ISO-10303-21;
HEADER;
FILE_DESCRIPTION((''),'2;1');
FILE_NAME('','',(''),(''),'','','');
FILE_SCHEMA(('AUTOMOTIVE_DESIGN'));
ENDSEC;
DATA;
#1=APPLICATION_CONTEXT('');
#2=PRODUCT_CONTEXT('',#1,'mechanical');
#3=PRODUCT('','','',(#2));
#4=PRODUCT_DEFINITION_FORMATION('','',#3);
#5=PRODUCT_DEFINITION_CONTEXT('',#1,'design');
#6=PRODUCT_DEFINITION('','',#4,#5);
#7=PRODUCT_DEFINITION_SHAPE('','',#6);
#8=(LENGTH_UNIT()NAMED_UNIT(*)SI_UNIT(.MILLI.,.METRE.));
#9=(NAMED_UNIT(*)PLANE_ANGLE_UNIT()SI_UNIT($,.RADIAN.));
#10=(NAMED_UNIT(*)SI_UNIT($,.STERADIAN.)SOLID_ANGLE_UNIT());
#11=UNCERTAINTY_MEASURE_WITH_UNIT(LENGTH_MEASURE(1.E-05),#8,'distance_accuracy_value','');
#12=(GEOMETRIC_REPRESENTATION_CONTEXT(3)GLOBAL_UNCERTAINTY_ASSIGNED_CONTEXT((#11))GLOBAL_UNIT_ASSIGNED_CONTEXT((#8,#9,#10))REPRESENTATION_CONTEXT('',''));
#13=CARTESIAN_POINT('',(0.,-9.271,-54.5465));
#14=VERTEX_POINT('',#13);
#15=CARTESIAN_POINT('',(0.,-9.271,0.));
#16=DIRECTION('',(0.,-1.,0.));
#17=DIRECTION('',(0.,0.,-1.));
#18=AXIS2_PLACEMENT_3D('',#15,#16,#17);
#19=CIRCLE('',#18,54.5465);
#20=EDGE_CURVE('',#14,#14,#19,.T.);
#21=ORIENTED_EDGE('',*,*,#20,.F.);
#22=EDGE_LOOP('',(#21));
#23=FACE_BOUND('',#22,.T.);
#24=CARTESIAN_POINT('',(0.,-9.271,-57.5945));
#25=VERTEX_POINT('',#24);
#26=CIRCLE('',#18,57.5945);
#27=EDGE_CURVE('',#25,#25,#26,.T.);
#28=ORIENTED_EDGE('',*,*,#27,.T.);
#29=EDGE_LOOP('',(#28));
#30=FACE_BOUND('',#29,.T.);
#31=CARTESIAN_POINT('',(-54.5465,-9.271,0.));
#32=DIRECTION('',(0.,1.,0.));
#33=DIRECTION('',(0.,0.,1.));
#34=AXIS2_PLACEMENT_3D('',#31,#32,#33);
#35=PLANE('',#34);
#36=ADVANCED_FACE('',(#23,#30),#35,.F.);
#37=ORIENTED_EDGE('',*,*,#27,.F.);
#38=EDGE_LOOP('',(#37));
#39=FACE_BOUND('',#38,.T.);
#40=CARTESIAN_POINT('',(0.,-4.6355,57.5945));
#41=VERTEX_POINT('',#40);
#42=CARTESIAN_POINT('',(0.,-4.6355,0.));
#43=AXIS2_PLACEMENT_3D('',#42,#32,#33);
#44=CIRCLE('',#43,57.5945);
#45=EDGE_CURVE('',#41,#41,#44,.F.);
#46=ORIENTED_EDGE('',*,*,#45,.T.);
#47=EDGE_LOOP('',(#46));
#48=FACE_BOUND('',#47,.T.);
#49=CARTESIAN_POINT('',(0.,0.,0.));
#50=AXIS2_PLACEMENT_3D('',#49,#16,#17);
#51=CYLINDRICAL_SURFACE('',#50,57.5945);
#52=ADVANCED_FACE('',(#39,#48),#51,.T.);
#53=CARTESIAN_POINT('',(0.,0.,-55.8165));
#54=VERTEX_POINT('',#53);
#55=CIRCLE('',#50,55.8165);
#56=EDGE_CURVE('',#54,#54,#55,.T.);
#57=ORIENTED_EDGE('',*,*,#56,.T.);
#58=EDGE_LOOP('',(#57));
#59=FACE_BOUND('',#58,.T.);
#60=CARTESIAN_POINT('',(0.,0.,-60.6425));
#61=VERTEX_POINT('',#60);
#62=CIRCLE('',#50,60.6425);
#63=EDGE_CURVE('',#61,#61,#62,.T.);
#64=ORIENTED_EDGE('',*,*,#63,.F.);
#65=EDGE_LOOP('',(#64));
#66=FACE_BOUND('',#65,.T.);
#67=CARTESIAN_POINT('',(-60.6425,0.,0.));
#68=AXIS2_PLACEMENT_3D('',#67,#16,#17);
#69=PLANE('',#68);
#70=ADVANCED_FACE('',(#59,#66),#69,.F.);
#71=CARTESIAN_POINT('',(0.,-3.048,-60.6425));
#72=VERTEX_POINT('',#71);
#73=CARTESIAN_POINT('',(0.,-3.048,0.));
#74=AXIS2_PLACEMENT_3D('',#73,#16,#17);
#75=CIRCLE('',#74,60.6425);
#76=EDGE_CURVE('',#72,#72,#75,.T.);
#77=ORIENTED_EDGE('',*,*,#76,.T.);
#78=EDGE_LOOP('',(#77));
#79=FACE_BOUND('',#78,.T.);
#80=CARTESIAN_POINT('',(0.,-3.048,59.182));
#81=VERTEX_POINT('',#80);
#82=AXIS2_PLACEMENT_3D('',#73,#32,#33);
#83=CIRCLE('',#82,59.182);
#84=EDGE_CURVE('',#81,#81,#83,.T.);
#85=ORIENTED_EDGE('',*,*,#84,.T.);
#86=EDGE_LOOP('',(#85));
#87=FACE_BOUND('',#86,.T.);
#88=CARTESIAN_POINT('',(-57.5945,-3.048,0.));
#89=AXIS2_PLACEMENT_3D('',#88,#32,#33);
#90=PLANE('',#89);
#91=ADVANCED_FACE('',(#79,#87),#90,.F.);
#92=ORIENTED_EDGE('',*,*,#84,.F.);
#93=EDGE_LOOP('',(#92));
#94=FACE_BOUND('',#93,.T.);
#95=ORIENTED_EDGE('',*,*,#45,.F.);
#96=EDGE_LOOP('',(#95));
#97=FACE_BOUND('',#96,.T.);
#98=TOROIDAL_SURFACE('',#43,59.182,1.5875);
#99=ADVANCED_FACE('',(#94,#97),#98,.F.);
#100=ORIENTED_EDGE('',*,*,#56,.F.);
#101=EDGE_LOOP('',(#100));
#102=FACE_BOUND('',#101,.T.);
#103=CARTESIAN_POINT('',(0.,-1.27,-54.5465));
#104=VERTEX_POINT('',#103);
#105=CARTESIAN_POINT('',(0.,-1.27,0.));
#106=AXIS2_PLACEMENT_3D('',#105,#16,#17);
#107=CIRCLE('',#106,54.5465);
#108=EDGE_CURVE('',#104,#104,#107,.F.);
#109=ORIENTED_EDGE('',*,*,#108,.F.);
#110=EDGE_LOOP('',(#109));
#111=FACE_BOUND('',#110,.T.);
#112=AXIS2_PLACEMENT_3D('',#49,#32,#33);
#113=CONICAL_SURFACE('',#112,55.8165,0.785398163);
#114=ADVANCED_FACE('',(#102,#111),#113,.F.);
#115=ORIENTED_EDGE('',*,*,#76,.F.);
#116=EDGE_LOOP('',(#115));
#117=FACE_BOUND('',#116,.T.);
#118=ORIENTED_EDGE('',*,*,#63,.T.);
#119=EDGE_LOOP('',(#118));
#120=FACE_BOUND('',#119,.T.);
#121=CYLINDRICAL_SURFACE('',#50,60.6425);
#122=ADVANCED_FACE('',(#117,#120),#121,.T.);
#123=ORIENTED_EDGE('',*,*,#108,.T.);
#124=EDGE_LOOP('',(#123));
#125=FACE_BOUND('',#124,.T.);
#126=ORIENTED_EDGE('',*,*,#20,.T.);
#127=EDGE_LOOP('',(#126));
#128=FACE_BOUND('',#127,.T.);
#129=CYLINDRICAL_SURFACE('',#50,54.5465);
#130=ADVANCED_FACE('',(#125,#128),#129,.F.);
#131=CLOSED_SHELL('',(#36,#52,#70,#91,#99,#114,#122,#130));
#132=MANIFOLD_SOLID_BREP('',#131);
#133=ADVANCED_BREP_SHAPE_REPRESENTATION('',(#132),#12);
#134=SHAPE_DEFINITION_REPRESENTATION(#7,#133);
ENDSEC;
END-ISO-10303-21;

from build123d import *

# Parameters (mm, degrees)
CHAMFER1_SIZE = 1.27
FILLET1_R     = 1.5875


with BuildPart() as part:
    # Sketch1 → Revolve1 (revolve)
    with BuildSketch(Plane.XY, mode=Mode.PRIVATE) as revolve1_sk:
        Polygon((-54.5465, 0), (-54.5465, -9.271), (-57.5945, -9.271), (-57.5945, -3.048), (-60.6425, -3.048), (-60.6425, 0), align=None)
    revolve(revolve1_sk.sketch.rotate(Axis((0, 0, 0), (0, 1, 0)), 270), axis=Axis((0, 0, 0), (0, 1, 0)))

    # Chamfer1
    chamfer1_edges = [part.edges().sort_by_distance(p)[0] for p in [
        (0, 0, 54.5465),
    ]]
    chamfer(chamfer1_edges, length=CHAMFER1_SIZE)

    # Fillet1
    fillet1_edges = [part.edges().sort_by_distance(p)[0] for p in [
        (0, -3.048, 57.5945),
    ]]
    fillet(fillet1_edges, radius=FILLET1_R)


solid = part.part
